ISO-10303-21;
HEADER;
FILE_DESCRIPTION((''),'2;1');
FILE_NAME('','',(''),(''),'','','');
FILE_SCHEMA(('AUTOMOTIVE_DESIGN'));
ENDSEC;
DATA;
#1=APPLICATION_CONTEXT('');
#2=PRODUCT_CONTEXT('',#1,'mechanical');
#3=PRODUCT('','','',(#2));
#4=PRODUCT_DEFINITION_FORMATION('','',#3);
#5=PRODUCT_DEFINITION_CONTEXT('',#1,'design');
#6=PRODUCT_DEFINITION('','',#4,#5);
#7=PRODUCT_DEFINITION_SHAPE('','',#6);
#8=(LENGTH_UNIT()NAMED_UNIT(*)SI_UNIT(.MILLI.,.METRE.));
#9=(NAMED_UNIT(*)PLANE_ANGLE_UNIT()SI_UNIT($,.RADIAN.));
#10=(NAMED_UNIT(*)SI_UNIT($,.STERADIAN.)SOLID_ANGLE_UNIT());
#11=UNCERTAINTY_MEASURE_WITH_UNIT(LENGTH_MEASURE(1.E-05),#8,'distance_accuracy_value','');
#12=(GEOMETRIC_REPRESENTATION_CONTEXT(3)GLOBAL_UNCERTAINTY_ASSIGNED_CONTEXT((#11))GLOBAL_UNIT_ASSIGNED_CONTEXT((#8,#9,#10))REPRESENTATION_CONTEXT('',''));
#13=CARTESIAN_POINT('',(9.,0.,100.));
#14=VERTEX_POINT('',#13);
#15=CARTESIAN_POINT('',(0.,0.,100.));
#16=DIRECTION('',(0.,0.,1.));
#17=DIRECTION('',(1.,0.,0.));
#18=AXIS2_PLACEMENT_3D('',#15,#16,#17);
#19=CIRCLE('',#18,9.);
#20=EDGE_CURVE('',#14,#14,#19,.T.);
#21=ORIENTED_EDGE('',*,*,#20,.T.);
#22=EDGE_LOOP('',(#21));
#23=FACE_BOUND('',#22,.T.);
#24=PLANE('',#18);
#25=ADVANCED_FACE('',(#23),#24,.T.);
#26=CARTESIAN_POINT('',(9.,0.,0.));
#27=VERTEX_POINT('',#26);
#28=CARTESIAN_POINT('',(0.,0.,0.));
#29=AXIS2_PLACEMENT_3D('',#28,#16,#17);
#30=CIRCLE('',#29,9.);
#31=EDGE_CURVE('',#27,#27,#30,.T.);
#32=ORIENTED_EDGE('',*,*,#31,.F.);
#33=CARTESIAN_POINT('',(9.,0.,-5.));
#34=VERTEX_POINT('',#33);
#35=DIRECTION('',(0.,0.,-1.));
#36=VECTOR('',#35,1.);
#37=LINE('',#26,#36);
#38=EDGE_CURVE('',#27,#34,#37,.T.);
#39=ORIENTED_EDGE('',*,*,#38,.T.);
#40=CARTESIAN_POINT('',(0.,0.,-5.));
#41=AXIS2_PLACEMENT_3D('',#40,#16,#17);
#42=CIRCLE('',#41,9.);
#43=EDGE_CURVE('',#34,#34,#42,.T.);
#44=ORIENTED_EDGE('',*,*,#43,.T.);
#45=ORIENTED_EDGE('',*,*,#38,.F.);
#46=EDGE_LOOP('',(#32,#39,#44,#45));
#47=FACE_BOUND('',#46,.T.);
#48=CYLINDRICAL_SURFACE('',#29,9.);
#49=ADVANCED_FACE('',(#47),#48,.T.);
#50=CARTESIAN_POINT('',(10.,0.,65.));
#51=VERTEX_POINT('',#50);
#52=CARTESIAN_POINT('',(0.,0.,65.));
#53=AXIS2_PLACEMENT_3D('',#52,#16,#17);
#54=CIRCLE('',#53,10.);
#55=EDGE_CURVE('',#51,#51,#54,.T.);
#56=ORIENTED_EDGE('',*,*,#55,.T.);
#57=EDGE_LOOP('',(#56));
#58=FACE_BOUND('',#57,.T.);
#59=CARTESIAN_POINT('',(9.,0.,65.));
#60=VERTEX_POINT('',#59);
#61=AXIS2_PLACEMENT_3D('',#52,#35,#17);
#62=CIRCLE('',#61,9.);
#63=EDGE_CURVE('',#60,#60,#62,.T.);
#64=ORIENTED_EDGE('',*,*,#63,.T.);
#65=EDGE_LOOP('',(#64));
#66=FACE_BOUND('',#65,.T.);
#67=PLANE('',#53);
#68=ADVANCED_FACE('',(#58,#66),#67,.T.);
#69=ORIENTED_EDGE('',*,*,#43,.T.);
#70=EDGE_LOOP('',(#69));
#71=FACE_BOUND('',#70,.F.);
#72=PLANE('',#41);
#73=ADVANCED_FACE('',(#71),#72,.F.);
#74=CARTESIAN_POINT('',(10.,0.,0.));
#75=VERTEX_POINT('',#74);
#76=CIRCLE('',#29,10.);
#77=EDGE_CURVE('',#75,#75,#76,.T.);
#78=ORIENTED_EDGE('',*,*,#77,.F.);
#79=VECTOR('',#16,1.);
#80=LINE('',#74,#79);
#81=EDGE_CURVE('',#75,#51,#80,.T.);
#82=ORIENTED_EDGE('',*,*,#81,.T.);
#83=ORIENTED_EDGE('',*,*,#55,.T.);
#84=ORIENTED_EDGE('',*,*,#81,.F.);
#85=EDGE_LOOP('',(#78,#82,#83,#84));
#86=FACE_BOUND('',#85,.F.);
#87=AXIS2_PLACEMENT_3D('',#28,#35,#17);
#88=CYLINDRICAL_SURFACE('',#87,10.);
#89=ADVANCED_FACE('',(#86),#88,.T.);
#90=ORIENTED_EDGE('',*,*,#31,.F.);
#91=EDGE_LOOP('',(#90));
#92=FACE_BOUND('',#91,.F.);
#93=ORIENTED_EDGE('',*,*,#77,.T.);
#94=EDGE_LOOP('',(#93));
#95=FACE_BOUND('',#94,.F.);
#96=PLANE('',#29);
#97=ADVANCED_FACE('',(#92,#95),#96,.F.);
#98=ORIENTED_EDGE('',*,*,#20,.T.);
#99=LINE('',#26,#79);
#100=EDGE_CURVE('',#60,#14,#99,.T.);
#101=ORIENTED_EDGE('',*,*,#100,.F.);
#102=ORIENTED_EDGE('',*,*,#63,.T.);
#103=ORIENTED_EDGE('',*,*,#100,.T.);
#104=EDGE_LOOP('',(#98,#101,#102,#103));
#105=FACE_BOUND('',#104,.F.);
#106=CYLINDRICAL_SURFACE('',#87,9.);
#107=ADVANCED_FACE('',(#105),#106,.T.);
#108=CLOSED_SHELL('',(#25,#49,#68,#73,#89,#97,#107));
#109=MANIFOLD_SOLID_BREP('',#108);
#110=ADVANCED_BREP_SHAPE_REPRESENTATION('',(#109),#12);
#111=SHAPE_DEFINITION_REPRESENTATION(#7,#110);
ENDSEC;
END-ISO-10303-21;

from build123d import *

# Parameters (mm, degrees)
F0_R          = 10
F0_R_2        = 9
F1_DEPTH      = 65
F2_DEPTH      = 5
F2_DEPTH_BACK = -100


with BuildPart() as f1:
    # F0 (on Top) → F1 (new body)
    with BuildSketch(Plane.XY):
        Circle(F0_R)
        Circle(F0_R_2, mode=Mode.SUBTRACT)
        Circle(F0_R_2)
    extrude(amount=F1_DEPTH)

    # F0 (on Top) → F2 (join, two sides)
    with BuildSketch(Plane.XY) as f2_sk:
        Circle(F0_R_2)
    extrude(amount=-F2_DEPTH)
    extrude(f2_sk.sketch, amount=-F2_DEPTH_BACK)


solid = f1.part
